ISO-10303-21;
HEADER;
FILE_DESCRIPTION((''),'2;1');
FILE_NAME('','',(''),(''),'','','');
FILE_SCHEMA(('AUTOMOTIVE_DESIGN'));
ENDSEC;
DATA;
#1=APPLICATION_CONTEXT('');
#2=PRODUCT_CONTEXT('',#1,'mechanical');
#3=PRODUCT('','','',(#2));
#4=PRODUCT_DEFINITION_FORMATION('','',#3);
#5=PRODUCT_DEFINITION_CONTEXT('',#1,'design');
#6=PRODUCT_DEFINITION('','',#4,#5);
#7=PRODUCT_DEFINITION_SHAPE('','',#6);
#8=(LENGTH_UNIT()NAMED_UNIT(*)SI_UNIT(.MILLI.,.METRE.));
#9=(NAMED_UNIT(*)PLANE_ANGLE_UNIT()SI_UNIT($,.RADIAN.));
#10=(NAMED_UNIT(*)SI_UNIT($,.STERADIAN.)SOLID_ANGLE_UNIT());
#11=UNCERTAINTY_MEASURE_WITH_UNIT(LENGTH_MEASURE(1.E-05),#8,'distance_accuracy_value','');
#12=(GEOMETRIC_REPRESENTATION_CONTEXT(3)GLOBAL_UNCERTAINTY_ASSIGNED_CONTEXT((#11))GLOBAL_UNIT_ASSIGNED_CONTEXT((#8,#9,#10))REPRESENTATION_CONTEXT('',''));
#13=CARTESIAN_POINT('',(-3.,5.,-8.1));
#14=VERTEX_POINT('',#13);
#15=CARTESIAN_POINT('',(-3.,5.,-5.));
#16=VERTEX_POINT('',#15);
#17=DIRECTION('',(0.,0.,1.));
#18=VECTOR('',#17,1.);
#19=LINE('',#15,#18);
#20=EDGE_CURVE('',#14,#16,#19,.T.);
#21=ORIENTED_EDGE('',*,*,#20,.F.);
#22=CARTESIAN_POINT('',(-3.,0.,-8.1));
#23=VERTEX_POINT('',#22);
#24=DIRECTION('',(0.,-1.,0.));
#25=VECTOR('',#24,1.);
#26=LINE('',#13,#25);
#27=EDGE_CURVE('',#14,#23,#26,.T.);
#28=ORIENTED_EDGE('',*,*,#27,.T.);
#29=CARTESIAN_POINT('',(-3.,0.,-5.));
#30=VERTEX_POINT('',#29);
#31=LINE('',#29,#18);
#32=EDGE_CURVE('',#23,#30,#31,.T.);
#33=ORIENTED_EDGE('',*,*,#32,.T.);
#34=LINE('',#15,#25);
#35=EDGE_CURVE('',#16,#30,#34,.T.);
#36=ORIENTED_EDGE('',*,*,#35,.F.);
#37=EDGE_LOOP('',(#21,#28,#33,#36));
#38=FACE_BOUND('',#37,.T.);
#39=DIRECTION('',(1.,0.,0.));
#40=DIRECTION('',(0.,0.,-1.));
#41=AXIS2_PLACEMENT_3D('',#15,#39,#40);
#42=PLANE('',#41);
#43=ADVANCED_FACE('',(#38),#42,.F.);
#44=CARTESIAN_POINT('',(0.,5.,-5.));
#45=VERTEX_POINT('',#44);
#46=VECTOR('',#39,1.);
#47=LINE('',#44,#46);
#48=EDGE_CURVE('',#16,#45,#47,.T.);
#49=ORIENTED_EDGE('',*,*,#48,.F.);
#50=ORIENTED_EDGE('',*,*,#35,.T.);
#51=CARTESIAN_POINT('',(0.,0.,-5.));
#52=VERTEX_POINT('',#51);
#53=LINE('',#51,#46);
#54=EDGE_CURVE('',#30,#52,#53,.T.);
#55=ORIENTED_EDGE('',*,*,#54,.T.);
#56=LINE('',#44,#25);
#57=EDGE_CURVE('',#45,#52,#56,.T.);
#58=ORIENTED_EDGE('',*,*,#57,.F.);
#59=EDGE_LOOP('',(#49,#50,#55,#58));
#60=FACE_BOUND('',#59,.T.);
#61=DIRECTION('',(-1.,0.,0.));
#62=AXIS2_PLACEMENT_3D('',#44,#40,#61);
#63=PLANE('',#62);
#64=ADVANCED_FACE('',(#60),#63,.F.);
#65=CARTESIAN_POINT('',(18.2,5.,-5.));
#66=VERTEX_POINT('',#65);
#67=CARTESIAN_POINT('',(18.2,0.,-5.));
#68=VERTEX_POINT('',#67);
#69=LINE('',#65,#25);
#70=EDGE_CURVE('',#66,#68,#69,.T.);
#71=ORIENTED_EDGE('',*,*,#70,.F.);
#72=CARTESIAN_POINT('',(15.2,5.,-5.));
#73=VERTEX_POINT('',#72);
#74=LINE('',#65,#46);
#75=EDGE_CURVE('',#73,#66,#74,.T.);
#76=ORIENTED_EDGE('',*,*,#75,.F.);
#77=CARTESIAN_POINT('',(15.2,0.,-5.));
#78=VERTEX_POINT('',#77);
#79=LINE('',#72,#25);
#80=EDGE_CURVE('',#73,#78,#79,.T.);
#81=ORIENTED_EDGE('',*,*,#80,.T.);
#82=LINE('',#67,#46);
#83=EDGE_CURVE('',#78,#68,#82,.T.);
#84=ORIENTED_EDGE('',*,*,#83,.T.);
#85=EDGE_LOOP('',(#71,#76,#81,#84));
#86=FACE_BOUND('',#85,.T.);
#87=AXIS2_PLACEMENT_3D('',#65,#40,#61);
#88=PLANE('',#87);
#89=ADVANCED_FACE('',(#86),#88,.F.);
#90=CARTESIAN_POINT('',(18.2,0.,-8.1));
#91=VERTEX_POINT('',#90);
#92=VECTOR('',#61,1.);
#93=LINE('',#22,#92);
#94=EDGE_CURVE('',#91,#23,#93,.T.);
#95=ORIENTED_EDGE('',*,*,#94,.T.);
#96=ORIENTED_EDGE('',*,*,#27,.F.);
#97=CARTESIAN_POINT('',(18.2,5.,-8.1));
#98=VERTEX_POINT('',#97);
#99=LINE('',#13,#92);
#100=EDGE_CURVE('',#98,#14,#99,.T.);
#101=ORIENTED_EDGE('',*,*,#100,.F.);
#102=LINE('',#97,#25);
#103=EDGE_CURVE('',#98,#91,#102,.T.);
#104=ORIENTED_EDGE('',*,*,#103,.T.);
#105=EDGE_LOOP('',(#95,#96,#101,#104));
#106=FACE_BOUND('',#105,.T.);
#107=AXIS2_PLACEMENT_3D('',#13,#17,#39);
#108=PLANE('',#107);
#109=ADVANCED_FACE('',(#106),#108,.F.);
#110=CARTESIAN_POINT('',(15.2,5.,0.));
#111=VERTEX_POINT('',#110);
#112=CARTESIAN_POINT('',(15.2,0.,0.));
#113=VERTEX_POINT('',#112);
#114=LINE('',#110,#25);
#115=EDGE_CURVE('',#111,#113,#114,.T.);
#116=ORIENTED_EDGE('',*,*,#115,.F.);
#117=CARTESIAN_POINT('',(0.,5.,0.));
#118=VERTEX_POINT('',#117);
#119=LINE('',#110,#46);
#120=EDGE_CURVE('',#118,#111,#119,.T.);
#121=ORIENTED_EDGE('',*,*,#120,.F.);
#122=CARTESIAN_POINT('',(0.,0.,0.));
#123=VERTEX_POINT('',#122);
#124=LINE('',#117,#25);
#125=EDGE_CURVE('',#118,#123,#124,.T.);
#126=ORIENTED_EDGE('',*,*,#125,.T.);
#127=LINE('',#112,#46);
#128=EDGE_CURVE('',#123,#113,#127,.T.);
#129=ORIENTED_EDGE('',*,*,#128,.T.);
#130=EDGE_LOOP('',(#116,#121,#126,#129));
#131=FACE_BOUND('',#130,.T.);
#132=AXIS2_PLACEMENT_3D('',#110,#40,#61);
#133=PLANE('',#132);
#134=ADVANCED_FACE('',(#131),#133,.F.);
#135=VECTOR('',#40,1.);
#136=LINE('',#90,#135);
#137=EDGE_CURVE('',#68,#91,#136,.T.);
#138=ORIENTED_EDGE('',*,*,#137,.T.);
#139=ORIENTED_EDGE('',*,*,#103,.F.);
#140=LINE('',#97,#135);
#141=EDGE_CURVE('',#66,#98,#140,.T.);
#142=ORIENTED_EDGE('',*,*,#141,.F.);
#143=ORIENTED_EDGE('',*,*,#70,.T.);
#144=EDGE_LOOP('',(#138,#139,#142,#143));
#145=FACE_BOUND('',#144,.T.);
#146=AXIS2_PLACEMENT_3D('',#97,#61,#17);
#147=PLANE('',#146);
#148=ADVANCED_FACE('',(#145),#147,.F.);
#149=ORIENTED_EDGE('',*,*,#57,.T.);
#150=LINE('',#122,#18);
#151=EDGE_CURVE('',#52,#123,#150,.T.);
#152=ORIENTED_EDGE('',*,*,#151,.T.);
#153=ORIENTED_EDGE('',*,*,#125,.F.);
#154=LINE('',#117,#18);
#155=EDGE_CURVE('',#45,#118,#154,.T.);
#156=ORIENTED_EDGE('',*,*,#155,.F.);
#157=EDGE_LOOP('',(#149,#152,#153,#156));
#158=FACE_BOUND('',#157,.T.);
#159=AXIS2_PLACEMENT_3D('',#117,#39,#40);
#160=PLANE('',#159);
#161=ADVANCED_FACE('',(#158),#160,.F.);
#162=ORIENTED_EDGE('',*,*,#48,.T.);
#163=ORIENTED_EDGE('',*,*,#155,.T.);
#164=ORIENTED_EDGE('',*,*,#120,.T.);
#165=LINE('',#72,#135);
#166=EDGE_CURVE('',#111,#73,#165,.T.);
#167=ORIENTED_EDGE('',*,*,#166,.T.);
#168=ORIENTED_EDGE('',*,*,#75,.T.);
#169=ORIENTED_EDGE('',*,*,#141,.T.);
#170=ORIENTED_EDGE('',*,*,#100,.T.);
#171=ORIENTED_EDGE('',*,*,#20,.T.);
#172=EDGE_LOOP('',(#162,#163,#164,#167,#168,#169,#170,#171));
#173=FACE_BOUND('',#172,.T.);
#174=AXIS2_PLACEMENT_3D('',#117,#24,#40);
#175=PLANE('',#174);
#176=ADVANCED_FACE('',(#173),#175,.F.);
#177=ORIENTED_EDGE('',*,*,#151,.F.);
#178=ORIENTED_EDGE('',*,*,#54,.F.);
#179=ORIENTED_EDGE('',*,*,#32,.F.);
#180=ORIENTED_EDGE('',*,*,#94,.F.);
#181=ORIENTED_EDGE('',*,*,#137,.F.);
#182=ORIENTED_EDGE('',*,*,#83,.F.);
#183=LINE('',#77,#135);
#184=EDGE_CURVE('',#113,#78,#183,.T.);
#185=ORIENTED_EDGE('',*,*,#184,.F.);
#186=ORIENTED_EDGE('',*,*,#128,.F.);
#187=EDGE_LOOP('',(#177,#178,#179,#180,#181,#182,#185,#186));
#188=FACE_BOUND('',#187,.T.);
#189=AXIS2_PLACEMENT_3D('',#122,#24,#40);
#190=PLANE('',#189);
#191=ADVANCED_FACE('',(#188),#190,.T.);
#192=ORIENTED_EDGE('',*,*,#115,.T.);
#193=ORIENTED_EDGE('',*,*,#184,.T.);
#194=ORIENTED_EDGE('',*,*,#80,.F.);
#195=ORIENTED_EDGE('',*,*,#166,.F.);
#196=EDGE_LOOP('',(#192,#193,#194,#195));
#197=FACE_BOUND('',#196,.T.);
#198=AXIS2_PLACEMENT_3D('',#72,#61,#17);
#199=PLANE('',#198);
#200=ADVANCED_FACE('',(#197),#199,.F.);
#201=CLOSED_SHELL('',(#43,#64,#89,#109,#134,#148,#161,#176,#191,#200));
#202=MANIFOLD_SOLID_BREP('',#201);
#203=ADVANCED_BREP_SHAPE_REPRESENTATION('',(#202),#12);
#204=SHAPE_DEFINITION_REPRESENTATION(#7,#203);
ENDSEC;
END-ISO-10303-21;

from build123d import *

# Parameters (mm, degrees)
EXTRUDE_2_DEPTH = 5


with BuildPart() as part:
    # 草图2 → 凸台-拉伸2 (new body)
    with BuildSketch(Plane(origin=(0, 0, 0), x_dir=(1, 0, 0), z_dir=(0, 1, 0))):
        Polygon((0, 0), (0, 5), (-3, 5), (-3, 8.1), (18.2, 8.1), (18.2, 5), (15.2, 5), (15.2, 0), align=None)
    extrude(amount=EXTRUDE_2_DEPTH)


solid = part.part
